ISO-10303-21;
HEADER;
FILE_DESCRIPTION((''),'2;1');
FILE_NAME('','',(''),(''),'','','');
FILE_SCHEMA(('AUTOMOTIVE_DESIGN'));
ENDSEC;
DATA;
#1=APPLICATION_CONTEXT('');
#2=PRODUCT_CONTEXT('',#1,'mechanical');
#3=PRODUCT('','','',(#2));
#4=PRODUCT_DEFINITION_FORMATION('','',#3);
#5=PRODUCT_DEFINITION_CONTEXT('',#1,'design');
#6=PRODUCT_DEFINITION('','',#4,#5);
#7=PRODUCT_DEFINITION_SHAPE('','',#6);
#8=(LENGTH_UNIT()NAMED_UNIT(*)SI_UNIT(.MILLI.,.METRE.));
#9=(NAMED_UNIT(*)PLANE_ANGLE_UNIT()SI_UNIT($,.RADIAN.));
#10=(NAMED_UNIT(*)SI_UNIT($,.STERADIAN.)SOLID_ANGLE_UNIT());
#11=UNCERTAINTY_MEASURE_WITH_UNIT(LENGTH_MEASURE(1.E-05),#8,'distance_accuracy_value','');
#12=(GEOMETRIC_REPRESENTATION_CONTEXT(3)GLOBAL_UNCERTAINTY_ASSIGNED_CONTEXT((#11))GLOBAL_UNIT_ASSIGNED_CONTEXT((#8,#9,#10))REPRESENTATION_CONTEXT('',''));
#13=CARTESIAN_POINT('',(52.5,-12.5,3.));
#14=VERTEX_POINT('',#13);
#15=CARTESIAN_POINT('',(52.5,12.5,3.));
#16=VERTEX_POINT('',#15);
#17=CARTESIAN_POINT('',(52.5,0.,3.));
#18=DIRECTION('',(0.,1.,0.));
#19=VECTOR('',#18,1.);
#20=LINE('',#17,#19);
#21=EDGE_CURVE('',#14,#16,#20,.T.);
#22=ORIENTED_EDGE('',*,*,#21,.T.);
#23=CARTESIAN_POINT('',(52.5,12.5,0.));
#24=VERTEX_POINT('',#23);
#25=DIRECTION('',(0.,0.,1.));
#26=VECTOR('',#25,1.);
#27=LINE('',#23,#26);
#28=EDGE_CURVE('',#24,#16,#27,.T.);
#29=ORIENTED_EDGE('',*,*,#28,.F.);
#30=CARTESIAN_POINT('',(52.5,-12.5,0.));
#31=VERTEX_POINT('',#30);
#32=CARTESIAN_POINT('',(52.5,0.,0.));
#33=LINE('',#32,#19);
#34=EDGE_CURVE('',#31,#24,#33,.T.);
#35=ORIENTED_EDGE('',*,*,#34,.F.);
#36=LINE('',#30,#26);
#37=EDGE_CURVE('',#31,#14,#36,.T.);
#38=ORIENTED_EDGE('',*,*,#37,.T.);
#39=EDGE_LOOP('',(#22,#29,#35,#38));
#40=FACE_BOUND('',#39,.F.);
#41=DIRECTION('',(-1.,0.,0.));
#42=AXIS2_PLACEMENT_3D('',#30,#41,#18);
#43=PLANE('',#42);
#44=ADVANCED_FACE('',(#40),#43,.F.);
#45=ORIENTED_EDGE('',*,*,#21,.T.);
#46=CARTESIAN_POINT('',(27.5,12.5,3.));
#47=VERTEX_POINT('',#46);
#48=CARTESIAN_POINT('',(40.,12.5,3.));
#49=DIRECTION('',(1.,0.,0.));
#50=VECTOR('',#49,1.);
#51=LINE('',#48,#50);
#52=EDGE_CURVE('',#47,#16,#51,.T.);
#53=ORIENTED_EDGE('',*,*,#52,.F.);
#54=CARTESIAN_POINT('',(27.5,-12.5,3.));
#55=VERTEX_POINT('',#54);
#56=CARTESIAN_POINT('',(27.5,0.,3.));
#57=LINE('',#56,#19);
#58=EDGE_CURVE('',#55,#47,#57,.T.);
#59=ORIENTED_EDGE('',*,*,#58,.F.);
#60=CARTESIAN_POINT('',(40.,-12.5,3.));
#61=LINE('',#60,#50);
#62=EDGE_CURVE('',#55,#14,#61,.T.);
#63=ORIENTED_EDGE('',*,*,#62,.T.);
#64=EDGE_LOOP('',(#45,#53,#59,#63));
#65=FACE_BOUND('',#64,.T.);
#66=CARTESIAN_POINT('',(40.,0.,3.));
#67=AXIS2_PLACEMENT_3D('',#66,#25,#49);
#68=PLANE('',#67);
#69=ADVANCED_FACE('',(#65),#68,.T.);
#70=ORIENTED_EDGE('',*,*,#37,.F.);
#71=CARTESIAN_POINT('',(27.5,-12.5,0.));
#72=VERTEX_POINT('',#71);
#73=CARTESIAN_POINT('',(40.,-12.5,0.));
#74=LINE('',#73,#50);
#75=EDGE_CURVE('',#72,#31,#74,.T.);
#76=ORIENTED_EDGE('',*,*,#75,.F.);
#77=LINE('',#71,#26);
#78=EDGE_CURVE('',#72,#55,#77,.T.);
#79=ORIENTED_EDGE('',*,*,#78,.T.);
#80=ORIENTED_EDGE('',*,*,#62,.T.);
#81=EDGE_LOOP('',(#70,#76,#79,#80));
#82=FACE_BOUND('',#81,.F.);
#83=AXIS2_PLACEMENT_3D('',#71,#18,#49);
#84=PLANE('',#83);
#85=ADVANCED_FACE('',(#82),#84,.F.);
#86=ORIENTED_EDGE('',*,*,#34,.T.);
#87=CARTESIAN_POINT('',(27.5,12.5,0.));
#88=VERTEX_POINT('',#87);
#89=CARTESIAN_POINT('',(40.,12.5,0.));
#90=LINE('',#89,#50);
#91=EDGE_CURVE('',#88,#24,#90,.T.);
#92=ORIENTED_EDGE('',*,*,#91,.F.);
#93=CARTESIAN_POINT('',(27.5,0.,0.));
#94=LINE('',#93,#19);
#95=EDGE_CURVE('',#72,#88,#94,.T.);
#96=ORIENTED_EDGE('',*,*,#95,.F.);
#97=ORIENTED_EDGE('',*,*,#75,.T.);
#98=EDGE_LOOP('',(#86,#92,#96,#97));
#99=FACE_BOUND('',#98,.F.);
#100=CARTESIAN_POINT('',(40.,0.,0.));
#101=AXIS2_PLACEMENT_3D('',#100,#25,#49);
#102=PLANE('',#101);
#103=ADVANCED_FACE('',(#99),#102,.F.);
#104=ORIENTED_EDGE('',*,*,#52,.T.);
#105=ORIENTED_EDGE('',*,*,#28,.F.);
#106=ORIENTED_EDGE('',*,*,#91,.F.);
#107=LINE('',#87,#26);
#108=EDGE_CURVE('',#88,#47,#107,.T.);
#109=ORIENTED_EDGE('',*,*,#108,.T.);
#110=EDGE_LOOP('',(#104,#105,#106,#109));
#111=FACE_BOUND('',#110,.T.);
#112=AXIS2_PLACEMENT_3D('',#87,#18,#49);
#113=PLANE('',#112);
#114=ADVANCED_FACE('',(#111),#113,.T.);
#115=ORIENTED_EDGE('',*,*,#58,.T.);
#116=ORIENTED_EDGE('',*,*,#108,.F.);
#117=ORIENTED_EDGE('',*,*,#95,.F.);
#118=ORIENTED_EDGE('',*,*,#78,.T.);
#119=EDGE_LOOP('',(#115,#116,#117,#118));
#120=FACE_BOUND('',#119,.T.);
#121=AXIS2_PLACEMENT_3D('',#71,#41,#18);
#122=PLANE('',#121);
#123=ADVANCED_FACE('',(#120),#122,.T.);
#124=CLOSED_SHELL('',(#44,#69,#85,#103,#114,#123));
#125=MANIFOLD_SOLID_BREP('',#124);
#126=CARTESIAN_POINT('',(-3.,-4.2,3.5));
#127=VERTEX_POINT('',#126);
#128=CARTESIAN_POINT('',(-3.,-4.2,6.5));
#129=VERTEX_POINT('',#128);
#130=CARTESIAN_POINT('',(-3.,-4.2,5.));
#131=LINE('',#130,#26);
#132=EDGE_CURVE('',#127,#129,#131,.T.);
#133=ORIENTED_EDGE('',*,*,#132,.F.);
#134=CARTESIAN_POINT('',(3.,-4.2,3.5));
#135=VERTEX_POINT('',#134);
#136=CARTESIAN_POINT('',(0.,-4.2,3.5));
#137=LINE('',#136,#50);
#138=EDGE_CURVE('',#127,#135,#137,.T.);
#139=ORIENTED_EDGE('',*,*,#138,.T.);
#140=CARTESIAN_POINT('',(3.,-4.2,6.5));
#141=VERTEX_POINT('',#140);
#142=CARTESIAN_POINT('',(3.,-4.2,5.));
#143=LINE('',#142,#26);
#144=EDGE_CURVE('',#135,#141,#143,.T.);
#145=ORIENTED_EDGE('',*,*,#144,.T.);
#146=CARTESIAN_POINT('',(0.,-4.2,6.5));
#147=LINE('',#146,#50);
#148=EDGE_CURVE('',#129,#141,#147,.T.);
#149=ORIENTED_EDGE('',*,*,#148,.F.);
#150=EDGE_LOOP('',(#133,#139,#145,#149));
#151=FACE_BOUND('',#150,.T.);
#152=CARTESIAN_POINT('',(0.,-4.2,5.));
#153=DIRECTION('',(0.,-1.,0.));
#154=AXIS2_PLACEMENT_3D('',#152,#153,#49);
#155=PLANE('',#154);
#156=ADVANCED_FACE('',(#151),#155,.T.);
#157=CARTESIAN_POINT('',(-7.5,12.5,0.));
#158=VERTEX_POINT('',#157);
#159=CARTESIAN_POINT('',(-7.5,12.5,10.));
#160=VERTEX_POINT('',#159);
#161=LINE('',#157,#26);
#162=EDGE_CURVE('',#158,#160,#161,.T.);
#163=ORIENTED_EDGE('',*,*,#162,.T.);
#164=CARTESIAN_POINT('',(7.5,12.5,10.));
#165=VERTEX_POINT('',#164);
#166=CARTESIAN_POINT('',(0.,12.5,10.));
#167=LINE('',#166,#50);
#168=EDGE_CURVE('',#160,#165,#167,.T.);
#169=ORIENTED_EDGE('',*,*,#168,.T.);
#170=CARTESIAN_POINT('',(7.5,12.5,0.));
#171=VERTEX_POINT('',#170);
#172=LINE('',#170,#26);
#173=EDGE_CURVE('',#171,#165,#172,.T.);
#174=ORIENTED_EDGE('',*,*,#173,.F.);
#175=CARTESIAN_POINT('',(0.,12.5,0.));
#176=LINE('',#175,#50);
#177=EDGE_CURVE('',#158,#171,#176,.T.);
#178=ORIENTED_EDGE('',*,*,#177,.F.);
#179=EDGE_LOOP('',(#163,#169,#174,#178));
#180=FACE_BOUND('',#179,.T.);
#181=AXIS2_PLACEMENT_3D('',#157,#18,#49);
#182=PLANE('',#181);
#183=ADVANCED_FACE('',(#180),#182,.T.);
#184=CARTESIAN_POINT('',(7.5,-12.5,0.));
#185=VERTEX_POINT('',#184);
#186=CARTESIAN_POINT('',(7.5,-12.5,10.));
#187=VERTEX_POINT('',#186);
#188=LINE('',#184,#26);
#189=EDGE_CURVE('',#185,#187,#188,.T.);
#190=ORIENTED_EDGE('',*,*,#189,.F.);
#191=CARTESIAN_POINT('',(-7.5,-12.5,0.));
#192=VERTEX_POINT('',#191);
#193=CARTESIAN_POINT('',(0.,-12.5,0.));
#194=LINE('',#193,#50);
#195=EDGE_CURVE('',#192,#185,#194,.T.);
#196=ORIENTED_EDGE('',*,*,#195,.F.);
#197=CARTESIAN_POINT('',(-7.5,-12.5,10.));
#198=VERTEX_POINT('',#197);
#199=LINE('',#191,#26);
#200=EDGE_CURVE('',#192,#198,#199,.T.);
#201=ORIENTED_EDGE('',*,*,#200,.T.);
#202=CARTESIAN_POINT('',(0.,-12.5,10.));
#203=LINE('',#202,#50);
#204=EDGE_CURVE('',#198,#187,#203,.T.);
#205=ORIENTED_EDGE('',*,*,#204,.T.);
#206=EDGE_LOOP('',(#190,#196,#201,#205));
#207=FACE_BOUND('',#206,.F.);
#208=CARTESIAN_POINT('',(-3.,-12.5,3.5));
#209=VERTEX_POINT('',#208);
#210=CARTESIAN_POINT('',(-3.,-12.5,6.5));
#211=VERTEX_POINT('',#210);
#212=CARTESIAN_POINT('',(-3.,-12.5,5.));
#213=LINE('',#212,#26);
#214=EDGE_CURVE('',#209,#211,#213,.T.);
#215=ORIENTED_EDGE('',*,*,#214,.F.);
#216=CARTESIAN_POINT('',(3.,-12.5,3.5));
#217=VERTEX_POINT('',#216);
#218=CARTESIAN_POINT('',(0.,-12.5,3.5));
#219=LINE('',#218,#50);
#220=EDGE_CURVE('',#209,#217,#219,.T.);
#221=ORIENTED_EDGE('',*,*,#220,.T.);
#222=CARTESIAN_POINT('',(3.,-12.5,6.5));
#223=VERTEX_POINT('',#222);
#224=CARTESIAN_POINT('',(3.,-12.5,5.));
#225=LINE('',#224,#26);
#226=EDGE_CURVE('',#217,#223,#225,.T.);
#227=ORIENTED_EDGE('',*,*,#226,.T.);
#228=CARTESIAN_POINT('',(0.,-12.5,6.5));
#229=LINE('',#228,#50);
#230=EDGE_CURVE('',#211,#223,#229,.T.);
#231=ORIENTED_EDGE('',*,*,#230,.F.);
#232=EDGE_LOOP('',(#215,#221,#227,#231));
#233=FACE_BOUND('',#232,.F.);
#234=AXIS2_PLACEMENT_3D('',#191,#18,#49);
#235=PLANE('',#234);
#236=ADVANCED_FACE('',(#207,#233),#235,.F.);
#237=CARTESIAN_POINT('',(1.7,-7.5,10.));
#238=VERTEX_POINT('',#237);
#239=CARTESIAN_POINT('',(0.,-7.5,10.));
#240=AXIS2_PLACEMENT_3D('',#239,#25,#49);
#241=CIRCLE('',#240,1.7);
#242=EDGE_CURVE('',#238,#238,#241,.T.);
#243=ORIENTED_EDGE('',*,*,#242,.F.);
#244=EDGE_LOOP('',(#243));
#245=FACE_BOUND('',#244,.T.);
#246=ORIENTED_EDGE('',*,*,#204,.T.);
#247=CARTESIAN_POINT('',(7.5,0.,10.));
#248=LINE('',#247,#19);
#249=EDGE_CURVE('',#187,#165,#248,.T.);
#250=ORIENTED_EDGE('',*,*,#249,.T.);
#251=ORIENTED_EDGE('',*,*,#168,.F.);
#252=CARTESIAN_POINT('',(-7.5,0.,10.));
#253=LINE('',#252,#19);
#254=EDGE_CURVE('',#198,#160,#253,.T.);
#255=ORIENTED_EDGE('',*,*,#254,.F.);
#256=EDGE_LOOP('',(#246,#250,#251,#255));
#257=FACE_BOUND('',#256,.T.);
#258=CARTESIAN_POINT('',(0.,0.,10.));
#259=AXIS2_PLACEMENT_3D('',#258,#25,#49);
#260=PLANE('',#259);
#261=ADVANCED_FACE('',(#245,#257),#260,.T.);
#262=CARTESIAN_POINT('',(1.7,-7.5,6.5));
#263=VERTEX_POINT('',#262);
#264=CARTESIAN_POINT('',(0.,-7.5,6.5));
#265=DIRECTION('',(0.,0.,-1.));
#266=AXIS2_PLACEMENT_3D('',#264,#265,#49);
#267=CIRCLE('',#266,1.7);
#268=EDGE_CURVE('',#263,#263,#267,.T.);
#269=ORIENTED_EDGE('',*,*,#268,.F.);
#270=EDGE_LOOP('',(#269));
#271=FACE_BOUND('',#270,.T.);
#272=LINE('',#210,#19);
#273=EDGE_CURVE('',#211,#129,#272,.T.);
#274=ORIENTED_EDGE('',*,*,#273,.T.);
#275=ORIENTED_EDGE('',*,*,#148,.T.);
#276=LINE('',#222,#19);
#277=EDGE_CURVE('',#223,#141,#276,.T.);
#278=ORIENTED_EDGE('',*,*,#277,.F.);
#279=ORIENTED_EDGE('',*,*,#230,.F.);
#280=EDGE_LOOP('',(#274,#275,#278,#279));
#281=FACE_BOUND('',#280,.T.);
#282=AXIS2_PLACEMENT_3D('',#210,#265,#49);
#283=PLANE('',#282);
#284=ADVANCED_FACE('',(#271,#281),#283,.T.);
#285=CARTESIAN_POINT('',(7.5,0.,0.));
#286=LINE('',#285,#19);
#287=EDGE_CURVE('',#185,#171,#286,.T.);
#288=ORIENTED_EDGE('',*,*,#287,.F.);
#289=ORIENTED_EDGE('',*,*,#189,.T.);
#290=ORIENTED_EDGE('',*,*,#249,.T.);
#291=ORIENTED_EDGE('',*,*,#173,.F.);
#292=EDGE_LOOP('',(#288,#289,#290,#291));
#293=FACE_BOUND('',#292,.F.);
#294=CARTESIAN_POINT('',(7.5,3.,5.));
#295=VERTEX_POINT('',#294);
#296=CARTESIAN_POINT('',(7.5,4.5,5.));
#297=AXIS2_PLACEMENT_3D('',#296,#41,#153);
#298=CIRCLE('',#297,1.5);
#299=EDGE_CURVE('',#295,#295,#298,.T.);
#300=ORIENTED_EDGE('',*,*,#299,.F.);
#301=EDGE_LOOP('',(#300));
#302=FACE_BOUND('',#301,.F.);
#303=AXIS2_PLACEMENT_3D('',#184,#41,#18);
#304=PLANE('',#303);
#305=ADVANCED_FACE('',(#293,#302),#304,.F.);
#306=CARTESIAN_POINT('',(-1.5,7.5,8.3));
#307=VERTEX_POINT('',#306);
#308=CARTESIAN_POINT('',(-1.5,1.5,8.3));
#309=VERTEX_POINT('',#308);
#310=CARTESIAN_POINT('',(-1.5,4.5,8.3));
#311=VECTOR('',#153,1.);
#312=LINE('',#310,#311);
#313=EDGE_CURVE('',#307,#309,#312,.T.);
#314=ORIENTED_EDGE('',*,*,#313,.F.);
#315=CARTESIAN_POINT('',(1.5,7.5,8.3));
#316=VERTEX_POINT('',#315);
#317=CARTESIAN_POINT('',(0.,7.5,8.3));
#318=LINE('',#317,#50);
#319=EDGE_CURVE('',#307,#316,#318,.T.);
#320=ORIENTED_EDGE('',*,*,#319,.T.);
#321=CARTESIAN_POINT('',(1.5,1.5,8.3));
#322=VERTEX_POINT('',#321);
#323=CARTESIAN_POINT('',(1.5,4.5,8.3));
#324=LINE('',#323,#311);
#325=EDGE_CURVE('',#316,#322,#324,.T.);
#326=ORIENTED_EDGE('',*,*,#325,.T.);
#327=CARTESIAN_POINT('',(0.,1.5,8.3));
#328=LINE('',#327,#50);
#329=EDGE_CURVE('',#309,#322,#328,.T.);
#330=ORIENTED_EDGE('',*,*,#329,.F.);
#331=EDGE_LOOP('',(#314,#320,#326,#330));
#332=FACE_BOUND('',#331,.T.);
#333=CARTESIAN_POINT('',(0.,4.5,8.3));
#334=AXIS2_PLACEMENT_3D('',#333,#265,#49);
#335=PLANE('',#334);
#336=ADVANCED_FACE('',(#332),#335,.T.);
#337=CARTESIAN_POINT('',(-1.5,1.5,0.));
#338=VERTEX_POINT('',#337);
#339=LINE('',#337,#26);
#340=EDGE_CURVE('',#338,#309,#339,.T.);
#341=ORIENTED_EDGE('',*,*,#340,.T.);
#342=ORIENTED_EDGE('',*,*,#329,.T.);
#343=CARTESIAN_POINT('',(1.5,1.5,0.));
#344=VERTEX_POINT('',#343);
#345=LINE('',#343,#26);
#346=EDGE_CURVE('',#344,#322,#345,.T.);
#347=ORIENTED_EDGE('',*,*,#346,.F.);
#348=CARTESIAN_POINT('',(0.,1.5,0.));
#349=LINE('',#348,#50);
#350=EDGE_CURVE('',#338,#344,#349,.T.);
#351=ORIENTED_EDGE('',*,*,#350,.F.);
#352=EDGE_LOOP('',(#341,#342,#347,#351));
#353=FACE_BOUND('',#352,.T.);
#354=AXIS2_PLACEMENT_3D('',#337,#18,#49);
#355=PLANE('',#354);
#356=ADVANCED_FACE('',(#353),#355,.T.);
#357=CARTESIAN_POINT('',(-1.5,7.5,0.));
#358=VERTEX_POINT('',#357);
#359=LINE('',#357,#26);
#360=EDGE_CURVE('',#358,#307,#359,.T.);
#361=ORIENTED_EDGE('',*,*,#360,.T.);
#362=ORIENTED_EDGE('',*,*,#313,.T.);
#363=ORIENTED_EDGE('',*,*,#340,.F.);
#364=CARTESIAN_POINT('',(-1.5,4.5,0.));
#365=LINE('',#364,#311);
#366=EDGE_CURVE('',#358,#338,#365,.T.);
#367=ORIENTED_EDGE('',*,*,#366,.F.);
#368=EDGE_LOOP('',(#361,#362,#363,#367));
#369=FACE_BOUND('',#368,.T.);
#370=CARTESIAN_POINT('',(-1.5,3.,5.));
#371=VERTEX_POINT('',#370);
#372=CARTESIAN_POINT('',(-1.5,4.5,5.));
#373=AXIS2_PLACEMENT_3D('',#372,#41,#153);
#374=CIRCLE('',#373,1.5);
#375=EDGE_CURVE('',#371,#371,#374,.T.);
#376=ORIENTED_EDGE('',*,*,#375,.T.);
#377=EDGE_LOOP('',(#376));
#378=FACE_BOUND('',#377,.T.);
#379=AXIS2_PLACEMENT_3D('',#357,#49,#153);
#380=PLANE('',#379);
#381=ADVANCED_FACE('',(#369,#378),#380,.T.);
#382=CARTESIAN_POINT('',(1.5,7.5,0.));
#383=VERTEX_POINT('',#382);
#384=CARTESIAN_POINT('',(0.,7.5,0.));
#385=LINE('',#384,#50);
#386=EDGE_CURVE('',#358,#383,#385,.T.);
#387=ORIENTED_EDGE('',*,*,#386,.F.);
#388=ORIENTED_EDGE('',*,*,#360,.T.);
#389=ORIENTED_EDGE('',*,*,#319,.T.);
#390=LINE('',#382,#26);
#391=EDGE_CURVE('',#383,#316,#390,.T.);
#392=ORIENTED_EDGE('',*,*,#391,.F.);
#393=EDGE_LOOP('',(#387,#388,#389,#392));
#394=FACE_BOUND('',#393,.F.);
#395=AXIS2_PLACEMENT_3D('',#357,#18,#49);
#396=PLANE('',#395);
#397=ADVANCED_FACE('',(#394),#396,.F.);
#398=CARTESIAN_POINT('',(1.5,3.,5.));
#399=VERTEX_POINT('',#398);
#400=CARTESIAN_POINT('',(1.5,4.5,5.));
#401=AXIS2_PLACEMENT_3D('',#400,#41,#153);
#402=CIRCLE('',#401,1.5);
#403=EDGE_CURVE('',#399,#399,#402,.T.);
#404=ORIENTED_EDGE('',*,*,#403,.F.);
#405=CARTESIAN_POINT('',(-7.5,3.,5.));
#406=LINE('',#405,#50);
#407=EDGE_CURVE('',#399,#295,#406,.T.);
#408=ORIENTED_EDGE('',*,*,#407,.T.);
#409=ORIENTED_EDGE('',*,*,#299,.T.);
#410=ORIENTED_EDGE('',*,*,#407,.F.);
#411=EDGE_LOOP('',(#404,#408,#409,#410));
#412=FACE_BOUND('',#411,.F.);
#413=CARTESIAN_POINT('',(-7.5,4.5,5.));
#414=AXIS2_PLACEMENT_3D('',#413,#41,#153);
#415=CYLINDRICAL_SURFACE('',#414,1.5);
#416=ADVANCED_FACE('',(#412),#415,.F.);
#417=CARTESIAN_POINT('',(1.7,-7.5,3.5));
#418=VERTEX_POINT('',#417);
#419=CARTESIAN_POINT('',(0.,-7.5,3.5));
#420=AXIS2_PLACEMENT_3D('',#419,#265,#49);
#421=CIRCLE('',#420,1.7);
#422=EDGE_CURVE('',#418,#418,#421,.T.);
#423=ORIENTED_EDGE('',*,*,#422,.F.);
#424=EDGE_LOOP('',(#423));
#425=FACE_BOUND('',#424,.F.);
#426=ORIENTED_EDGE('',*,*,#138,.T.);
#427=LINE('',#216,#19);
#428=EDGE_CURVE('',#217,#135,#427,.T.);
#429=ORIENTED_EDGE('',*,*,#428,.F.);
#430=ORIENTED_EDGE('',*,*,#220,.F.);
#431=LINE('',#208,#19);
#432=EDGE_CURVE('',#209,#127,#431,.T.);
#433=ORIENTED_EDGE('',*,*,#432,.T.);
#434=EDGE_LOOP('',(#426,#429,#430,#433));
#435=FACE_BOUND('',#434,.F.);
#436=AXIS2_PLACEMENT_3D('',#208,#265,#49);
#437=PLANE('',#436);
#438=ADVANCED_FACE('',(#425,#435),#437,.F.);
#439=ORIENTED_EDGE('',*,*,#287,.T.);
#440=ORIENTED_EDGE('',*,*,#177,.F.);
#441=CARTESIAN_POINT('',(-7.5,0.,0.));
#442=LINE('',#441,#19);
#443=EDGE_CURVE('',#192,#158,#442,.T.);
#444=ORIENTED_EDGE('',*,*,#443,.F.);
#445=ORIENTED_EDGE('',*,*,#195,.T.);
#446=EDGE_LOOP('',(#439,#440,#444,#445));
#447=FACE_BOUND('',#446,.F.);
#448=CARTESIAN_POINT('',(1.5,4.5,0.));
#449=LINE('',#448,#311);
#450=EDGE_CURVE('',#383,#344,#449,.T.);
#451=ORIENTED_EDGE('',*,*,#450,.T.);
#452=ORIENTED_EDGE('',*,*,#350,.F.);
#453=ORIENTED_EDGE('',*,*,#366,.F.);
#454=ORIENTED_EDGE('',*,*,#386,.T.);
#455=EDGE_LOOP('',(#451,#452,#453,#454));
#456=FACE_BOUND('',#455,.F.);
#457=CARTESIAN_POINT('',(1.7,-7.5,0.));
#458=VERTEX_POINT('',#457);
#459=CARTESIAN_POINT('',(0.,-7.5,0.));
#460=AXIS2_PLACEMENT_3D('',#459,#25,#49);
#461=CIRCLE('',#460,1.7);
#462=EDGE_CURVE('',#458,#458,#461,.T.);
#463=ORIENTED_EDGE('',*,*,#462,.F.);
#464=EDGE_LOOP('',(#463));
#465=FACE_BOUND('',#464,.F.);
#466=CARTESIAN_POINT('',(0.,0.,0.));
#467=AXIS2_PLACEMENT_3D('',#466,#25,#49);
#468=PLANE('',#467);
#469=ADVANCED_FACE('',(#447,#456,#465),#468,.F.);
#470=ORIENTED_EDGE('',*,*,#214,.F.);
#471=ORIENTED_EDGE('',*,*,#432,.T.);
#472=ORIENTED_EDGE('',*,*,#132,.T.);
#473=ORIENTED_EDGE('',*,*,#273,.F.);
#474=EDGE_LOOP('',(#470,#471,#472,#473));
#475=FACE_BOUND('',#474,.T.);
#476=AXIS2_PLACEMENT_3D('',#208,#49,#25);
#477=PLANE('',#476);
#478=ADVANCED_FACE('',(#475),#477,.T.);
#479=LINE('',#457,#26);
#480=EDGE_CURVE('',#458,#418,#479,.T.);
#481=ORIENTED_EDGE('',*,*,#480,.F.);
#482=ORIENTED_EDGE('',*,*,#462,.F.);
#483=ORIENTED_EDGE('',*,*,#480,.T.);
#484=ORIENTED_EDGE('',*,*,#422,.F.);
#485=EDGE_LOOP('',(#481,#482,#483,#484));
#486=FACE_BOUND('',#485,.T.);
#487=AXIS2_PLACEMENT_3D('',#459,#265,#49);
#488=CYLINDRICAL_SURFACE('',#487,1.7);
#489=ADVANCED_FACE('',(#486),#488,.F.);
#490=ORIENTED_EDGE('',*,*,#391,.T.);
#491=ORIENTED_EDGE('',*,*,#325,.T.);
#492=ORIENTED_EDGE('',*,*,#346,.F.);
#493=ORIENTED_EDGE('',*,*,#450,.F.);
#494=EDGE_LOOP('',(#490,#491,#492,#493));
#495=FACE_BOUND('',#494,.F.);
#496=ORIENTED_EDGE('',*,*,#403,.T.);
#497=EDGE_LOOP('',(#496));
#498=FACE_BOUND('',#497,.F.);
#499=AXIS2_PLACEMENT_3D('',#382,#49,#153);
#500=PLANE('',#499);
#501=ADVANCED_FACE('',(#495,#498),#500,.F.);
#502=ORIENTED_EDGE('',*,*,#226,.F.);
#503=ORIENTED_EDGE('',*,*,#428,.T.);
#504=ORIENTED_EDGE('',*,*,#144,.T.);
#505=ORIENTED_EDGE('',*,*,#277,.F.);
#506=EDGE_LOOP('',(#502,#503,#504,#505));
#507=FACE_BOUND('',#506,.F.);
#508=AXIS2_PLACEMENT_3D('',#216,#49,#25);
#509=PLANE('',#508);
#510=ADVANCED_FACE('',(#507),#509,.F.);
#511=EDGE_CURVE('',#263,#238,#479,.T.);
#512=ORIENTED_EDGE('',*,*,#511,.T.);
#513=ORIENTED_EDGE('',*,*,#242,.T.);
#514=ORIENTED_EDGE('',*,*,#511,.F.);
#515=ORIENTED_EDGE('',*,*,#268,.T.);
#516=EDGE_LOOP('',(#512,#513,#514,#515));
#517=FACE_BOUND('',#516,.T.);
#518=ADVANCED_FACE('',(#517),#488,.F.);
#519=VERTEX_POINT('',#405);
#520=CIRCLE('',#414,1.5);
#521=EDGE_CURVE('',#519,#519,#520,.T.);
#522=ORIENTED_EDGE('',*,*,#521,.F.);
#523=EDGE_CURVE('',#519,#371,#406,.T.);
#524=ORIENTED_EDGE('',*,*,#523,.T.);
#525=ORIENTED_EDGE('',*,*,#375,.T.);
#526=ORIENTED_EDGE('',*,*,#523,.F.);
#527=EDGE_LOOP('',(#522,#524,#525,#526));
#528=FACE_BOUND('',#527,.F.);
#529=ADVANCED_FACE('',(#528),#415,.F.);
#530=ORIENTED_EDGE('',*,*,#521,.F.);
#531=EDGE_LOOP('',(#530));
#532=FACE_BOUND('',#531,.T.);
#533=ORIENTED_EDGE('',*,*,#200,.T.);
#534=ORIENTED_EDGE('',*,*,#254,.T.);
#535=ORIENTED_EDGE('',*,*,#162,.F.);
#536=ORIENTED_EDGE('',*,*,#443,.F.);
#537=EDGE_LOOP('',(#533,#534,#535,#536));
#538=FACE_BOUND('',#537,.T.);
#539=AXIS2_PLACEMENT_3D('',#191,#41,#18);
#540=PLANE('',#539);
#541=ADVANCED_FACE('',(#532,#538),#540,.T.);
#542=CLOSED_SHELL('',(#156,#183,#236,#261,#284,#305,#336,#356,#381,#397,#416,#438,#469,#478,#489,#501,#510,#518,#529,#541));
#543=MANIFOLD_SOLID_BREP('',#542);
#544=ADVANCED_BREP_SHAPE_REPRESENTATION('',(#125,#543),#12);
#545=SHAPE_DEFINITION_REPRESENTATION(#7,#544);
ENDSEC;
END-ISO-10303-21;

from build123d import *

# Parameters (mm, degrees)
F0_W     = 15
F0_H     = 25
F0_R     = 1.7
F1_DEPTH = 10
F2_W     = 6
F2_H     = 3
F3_DEPTH = 8.3
F4_R     = 1.5
F5_DEPTH = 15
F6_W     = 3
F6_H     = 6
F7_DEPTH = 8.3
F0_W_2   = 25
F8_DEPTH = 3


with BuildPart() as f1:
    # F0 (on Top) → F1 (new body)
    with BuildSketch(Plane.XY):
        Rectangle(F0_W, F0_H)
        with Locations((0, -7.5)):
            Circle(F0_R, mode=Mode.SUBTRACT)
    extrude(amount=F1_DEPTH)

    # F2 (on face) → F3 (cut)
    with BuildSketch(Plane.XZ.offset(12.5)):
        with Locations((0, 5)):
            Rectangle(F2_W, F2_H)
    extrude(amount=-F3_DEPTH, mode=Mode.SUBTRACT)

    # F4 (on face) → F5 (cut, through all)
    with BuildSketch(Plane(origin=(-7.5, 0, 0), x_dir=(0, -1, 0), z_dir=(-1, 0, 0))):
        with Locations((-4.5, 5)):
            Circle(F4_R)
    extrude(amount=-F5_DEPTH, mode=Mode.SUBTRACT)

    # F6 (on face) → F7 (cut)
    with BuildSketch(Plane(origin=(0, 0, 0), x_dir=(1, 0, 0), z_dir=(0, 0, -1))):
        with Locations((0, -4.5)):
            Rectangle(F6_W, F6_H)
    extrude(amount=-F7_DEPTH, mode=Mode.SUBTRACT)


with BuildPart() as f8:
    # F0 (on Top) → F8 (new body)
    with BuildSketch(Plane.XY):
        with Locations((40, 0)):
            Rectangle(F0_W_2, F0_H)
    extrude(amount=F8_DEPTH)


solid = Compound([f1.part, f8.part])
